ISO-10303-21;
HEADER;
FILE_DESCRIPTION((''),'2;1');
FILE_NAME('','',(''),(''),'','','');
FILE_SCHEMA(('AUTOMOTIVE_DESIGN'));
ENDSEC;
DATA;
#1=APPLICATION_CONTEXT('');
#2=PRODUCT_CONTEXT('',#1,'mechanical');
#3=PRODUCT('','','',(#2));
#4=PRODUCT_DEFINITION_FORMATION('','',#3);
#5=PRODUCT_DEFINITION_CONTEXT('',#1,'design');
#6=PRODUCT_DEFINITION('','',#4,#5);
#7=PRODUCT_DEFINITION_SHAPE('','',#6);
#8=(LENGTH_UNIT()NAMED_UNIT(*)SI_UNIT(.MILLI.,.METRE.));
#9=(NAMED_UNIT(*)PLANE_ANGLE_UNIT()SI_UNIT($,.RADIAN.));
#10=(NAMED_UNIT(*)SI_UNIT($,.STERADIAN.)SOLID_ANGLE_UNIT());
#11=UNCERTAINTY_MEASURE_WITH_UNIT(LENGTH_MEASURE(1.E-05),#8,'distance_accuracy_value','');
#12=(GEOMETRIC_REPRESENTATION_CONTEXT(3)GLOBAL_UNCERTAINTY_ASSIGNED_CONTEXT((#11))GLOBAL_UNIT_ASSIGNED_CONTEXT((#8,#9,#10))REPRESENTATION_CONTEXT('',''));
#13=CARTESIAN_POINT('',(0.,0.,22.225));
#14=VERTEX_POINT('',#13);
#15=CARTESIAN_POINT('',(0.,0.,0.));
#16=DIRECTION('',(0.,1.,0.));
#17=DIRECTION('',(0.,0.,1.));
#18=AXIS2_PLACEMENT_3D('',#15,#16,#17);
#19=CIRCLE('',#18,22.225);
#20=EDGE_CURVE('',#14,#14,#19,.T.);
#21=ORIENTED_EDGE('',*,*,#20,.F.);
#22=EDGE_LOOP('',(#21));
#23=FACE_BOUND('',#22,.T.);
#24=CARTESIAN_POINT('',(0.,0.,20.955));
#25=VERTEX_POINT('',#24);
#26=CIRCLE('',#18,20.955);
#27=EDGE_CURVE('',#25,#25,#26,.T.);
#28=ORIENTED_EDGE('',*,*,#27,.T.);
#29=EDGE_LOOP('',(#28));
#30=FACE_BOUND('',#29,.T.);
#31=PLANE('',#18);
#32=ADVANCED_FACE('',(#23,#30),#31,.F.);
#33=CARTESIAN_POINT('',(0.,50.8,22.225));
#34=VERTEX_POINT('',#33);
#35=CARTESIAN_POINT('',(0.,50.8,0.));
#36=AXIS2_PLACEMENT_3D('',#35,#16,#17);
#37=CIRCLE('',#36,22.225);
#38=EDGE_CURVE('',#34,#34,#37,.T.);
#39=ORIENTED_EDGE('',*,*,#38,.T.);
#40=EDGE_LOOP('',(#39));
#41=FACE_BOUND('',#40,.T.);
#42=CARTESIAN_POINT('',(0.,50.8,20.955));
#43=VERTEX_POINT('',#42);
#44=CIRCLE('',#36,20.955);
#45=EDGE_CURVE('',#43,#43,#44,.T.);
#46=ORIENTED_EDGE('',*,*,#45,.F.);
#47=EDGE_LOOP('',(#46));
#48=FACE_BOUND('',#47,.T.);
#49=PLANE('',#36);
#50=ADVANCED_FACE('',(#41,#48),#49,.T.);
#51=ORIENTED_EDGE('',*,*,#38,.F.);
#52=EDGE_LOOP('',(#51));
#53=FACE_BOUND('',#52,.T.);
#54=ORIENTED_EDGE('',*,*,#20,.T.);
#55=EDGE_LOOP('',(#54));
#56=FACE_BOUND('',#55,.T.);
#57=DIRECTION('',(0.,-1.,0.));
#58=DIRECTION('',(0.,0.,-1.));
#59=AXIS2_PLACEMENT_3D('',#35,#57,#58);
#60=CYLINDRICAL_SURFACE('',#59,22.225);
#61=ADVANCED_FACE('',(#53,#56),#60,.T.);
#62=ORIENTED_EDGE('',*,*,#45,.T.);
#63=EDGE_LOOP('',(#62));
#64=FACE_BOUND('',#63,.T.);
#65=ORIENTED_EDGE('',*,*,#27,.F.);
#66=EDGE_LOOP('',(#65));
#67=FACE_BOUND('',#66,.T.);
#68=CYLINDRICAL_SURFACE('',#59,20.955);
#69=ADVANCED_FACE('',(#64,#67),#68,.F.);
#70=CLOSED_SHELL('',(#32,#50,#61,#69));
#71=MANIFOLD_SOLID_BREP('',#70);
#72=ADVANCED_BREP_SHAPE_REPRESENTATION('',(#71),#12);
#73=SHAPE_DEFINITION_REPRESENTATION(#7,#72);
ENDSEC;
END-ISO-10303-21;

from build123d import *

# Parameters (mm, degrees)
SKETCH1_R           = 22.225
SKETCH1_R_2         = 20.955
BOSS_EXTRUDE1_DEPTH = 50.8


with BuildPart() as part:
    # Sketch1 → Boss-Extrude1 (new body)
    with BuildSketch(Plane(origin=(0, 0, 0), x_dir=(1, 0, 0), z_dir=(0, 1, 0))):
        Circle(SKETCH1_R)
        Circle(SKETCH1_R_2, mode=Mode.SUBTRACT)
    extrude(amount=BOSS_EXTRUDE1_DEPTH)


solid = part.part
